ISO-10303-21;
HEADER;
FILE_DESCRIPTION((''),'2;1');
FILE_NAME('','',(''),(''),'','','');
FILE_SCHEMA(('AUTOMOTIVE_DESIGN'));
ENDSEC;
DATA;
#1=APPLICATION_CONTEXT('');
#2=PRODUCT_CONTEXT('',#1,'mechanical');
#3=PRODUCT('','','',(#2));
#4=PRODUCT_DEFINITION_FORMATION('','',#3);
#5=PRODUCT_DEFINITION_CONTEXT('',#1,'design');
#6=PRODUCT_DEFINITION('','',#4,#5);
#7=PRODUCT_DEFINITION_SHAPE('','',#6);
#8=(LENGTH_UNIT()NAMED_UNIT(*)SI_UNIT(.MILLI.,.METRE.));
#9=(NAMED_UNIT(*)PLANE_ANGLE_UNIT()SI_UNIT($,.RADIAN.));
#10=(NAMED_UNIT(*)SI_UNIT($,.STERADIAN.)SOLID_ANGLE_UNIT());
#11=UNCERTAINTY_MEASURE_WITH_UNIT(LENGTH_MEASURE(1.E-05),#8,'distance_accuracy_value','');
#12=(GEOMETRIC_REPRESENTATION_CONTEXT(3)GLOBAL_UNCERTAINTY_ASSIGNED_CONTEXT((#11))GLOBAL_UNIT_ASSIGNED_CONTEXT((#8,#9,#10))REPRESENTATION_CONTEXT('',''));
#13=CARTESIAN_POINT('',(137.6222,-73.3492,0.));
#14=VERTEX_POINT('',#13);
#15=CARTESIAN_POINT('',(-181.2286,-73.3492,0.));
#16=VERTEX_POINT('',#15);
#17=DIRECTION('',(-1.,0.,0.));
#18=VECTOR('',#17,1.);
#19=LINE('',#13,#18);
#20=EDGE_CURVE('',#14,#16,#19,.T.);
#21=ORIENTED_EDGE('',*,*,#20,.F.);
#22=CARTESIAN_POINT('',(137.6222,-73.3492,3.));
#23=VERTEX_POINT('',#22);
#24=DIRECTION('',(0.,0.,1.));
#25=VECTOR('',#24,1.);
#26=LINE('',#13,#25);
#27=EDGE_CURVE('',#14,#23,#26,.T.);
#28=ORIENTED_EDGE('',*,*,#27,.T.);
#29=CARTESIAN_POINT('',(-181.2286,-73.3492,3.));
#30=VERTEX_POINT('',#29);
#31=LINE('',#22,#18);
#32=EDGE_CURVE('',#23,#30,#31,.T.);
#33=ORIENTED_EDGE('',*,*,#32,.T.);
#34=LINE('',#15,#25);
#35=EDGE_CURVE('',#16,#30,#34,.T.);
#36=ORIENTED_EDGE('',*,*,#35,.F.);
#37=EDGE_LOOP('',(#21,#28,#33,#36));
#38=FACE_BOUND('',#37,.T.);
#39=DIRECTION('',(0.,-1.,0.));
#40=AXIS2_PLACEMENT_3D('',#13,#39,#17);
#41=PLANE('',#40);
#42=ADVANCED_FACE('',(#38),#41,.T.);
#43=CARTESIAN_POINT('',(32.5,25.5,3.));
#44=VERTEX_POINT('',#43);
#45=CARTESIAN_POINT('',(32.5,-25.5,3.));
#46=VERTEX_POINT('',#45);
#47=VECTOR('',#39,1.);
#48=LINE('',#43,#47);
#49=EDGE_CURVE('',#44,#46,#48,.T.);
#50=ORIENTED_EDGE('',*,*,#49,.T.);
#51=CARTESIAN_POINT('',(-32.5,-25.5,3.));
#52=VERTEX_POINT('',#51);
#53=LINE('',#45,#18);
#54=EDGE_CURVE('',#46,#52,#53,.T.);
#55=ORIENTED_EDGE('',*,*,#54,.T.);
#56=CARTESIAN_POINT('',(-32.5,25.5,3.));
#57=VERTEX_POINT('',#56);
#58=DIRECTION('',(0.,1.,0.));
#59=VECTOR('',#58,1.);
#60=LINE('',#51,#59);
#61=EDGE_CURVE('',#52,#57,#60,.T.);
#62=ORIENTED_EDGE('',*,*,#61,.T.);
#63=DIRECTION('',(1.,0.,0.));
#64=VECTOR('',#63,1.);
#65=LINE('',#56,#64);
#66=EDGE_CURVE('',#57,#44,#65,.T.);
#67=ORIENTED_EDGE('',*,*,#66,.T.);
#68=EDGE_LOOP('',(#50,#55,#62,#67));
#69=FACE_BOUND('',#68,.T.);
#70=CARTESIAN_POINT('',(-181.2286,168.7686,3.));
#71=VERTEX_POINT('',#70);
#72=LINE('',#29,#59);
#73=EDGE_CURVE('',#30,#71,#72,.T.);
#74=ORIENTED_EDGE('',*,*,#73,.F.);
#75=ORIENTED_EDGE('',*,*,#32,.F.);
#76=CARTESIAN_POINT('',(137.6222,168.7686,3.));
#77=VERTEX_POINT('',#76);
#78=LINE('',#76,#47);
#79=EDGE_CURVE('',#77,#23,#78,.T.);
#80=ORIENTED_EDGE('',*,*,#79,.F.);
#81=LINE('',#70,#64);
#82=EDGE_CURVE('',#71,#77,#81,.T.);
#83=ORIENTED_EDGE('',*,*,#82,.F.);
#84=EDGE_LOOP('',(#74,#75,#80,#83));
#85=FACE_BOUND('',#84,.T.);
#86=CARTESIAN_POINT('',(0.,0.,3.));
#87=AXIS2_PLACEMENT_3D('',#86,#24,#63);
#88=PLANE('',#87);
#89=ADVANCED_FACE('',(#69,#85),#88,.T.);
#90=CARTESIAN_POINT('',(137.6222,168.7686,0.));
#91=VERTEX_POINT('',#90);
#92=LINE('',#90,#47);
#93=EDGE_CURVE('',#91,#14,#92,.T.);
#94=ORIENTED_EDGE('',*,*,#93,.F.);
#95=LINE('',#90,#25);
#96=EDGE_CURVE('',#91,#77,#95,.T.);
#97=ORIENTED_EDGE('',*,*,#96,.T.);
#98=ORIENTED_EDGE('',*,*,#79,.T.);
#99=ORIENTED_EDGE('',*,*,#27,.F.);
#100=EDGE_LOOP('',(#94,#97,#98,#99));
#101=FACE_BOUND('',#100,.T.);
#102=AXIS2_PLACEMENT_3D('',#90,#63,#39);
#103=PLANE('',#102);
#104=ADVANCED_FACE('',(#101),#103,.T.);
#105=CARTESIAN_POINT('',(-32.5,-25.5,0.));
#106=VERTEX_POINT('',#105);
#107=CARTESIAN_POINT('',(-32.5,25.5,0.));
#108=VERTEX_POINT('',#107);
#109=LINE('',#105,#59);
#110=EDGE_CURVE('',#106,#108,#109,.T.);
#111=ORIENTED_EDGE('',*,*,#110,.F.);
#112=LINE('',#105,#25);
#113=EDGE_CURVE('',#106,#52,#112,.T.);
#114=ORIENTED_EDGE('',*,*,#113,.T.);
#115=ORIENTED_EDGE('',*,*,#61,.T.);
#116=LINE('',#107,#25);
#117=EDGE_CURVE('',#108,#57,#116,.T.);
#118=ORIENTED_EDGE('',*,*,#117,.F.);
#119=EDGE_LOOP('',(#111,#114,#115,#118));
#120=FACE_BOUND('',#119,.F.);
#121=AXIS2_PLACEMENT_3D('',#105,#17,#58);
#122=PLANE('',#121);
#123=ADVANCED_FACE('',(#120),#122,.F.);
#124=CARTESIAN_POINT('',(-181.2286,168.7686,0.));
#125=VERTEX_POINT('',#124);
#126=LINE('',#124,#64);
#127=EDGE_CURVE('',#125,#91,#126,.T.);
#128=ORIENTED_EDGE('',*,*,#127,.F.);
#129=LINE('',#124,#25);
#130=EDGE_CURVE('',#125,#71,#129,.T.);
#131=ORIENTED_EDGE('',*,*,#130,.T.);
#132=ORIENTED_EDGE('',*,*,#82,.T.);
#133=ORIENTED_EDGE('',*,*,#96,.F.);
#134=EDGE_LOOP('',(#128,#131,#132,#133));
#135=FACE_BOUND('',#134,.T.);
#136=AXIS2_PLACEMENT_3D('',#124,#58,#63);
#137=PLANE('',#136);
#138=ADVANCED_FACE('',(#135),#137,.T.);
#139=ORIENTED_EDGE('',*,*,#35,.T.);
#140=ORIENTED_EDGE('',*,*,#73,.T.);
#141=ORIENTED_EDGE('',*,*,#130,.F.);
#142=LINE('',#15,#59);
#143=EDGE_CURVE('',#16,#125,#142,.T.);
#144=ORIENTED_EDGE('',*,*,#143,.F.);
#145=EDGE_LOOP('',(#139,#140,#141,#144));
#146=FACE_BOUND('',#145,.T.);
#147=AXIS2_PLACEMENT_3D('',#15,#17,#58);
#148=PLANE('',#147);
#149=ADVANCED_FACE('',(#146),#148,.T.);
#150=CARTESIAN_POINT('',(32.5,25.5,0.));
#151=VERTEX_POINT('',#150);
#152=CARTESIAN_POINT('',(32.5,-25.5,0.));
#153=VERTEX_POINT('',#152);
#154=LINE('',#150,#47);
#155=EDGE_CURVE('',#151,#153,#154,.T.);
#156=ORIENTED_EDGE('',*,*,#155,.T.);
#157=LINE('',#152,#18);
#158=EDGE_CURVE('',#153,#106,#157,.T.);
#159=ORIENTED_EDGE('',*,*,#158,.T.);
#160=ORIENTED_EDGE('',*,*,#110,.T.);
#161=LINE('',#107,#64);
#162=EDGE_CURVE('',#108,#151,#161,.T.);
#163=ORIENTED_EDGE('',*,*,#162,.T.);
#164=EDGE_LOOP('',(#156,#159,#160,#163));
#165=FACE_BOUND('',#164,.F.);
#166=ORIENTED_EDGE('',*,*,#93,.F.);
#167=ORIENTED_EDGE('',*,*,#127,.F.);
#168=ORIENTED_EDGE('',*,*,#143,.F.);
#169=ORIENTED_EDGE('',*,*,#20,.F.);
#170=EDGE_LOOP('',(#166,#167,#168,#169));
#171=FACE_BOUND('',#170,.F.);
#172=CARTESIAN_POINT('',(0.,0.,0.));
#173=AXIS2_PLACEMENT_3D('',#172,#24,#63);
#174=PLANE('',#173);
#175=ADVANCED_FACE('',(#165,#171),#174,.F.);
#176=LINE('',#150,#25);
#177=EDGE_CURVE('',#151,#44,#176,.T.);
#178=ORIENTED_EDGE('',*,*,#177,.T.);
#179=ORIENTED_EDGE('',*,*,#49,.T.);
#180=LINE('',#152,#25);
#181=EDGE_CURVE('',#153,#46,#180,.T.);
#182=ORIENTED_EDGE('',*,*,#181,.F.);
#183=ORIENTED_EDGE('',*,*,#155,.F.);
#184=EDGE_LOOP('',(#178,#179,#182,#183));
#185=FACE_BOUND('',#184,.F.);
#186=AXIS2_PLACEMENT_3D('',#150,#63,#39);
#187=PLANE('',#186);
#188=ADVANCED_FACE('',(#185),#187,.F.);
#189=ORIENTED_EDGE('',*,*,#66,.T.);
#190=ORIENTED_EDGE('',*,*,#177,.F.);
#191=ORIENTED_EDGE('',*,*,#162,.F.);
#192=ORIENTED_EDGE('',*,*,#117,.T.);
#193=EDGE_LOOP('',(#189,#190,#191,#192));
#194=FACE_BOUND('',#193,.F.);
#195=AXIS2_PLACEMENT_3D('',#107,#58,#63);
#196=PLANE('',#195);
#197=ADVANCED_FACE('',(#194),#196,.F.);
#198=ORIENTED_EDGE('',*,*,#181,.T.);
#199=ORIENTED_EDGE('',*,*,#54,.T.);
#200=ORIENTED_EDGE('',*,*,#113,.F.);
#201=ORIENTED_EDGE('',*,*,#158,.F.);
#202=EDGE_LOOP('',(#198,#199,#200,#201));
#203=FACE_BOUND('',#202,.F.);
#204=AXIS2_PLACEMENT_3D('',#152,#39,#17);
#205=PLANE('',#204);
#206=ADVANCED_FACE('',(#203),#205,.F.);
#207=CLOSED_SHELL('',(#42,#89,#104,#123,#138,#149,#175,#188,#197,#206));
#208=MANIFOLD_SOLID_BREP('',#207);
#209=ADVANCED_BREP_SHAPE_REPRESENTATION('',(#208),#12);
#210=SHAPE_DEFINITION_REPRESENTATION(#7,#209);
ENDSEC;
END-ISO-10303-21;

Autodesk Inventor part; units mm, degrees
ref_plane "YZ Plane" through (0, 0, 0) normal (1, 0, 0) x (0, 1, 0)
ref_plane "XZ Plane" through (0, 0, 0) normal (0, 1, 0) x (-1, 0, 0)
ref_plane "XY Plane" through (0, 0, 0) normal (0, 0, 1) x (1, 0, 0)
sketch "Sketch1" plane through (0, 0, 0) normal (0, 0, 1) x (1, 0, 0)
  line L0 (-181.2286, 168.7686) -> (137.6222, 168.7686)
  line L1 (137.6222, 168.7686) -> (137.6222, -73.3492)
  line L2 (137.6222, -73.3492) -> (-181.2286, -73.3492)
  line L3 (-181.2286, -73.3492) -> (-181.2286, 168.7686)
  line L4 (-32.5, 25.5) -> (32.5, 25.5)
  line L5 (32.5, 25.5) -> (32.5, -25.5)
  line L6 (32.5, -25.5) -> (-32.5, -25.5)
  line L7 (-32.5, -25.5) -> (-32.5, 25.5)
  point P0 (0, 0)
  point P1 (0, 25.5)
  point P2 (32.5, 0)
  dimension "d0" = 65
  dimension "d1" = 51
extrude "Extrusion1" add sketch "Sketch1" along normal blind 3
properties part number "Cardboard_front"
